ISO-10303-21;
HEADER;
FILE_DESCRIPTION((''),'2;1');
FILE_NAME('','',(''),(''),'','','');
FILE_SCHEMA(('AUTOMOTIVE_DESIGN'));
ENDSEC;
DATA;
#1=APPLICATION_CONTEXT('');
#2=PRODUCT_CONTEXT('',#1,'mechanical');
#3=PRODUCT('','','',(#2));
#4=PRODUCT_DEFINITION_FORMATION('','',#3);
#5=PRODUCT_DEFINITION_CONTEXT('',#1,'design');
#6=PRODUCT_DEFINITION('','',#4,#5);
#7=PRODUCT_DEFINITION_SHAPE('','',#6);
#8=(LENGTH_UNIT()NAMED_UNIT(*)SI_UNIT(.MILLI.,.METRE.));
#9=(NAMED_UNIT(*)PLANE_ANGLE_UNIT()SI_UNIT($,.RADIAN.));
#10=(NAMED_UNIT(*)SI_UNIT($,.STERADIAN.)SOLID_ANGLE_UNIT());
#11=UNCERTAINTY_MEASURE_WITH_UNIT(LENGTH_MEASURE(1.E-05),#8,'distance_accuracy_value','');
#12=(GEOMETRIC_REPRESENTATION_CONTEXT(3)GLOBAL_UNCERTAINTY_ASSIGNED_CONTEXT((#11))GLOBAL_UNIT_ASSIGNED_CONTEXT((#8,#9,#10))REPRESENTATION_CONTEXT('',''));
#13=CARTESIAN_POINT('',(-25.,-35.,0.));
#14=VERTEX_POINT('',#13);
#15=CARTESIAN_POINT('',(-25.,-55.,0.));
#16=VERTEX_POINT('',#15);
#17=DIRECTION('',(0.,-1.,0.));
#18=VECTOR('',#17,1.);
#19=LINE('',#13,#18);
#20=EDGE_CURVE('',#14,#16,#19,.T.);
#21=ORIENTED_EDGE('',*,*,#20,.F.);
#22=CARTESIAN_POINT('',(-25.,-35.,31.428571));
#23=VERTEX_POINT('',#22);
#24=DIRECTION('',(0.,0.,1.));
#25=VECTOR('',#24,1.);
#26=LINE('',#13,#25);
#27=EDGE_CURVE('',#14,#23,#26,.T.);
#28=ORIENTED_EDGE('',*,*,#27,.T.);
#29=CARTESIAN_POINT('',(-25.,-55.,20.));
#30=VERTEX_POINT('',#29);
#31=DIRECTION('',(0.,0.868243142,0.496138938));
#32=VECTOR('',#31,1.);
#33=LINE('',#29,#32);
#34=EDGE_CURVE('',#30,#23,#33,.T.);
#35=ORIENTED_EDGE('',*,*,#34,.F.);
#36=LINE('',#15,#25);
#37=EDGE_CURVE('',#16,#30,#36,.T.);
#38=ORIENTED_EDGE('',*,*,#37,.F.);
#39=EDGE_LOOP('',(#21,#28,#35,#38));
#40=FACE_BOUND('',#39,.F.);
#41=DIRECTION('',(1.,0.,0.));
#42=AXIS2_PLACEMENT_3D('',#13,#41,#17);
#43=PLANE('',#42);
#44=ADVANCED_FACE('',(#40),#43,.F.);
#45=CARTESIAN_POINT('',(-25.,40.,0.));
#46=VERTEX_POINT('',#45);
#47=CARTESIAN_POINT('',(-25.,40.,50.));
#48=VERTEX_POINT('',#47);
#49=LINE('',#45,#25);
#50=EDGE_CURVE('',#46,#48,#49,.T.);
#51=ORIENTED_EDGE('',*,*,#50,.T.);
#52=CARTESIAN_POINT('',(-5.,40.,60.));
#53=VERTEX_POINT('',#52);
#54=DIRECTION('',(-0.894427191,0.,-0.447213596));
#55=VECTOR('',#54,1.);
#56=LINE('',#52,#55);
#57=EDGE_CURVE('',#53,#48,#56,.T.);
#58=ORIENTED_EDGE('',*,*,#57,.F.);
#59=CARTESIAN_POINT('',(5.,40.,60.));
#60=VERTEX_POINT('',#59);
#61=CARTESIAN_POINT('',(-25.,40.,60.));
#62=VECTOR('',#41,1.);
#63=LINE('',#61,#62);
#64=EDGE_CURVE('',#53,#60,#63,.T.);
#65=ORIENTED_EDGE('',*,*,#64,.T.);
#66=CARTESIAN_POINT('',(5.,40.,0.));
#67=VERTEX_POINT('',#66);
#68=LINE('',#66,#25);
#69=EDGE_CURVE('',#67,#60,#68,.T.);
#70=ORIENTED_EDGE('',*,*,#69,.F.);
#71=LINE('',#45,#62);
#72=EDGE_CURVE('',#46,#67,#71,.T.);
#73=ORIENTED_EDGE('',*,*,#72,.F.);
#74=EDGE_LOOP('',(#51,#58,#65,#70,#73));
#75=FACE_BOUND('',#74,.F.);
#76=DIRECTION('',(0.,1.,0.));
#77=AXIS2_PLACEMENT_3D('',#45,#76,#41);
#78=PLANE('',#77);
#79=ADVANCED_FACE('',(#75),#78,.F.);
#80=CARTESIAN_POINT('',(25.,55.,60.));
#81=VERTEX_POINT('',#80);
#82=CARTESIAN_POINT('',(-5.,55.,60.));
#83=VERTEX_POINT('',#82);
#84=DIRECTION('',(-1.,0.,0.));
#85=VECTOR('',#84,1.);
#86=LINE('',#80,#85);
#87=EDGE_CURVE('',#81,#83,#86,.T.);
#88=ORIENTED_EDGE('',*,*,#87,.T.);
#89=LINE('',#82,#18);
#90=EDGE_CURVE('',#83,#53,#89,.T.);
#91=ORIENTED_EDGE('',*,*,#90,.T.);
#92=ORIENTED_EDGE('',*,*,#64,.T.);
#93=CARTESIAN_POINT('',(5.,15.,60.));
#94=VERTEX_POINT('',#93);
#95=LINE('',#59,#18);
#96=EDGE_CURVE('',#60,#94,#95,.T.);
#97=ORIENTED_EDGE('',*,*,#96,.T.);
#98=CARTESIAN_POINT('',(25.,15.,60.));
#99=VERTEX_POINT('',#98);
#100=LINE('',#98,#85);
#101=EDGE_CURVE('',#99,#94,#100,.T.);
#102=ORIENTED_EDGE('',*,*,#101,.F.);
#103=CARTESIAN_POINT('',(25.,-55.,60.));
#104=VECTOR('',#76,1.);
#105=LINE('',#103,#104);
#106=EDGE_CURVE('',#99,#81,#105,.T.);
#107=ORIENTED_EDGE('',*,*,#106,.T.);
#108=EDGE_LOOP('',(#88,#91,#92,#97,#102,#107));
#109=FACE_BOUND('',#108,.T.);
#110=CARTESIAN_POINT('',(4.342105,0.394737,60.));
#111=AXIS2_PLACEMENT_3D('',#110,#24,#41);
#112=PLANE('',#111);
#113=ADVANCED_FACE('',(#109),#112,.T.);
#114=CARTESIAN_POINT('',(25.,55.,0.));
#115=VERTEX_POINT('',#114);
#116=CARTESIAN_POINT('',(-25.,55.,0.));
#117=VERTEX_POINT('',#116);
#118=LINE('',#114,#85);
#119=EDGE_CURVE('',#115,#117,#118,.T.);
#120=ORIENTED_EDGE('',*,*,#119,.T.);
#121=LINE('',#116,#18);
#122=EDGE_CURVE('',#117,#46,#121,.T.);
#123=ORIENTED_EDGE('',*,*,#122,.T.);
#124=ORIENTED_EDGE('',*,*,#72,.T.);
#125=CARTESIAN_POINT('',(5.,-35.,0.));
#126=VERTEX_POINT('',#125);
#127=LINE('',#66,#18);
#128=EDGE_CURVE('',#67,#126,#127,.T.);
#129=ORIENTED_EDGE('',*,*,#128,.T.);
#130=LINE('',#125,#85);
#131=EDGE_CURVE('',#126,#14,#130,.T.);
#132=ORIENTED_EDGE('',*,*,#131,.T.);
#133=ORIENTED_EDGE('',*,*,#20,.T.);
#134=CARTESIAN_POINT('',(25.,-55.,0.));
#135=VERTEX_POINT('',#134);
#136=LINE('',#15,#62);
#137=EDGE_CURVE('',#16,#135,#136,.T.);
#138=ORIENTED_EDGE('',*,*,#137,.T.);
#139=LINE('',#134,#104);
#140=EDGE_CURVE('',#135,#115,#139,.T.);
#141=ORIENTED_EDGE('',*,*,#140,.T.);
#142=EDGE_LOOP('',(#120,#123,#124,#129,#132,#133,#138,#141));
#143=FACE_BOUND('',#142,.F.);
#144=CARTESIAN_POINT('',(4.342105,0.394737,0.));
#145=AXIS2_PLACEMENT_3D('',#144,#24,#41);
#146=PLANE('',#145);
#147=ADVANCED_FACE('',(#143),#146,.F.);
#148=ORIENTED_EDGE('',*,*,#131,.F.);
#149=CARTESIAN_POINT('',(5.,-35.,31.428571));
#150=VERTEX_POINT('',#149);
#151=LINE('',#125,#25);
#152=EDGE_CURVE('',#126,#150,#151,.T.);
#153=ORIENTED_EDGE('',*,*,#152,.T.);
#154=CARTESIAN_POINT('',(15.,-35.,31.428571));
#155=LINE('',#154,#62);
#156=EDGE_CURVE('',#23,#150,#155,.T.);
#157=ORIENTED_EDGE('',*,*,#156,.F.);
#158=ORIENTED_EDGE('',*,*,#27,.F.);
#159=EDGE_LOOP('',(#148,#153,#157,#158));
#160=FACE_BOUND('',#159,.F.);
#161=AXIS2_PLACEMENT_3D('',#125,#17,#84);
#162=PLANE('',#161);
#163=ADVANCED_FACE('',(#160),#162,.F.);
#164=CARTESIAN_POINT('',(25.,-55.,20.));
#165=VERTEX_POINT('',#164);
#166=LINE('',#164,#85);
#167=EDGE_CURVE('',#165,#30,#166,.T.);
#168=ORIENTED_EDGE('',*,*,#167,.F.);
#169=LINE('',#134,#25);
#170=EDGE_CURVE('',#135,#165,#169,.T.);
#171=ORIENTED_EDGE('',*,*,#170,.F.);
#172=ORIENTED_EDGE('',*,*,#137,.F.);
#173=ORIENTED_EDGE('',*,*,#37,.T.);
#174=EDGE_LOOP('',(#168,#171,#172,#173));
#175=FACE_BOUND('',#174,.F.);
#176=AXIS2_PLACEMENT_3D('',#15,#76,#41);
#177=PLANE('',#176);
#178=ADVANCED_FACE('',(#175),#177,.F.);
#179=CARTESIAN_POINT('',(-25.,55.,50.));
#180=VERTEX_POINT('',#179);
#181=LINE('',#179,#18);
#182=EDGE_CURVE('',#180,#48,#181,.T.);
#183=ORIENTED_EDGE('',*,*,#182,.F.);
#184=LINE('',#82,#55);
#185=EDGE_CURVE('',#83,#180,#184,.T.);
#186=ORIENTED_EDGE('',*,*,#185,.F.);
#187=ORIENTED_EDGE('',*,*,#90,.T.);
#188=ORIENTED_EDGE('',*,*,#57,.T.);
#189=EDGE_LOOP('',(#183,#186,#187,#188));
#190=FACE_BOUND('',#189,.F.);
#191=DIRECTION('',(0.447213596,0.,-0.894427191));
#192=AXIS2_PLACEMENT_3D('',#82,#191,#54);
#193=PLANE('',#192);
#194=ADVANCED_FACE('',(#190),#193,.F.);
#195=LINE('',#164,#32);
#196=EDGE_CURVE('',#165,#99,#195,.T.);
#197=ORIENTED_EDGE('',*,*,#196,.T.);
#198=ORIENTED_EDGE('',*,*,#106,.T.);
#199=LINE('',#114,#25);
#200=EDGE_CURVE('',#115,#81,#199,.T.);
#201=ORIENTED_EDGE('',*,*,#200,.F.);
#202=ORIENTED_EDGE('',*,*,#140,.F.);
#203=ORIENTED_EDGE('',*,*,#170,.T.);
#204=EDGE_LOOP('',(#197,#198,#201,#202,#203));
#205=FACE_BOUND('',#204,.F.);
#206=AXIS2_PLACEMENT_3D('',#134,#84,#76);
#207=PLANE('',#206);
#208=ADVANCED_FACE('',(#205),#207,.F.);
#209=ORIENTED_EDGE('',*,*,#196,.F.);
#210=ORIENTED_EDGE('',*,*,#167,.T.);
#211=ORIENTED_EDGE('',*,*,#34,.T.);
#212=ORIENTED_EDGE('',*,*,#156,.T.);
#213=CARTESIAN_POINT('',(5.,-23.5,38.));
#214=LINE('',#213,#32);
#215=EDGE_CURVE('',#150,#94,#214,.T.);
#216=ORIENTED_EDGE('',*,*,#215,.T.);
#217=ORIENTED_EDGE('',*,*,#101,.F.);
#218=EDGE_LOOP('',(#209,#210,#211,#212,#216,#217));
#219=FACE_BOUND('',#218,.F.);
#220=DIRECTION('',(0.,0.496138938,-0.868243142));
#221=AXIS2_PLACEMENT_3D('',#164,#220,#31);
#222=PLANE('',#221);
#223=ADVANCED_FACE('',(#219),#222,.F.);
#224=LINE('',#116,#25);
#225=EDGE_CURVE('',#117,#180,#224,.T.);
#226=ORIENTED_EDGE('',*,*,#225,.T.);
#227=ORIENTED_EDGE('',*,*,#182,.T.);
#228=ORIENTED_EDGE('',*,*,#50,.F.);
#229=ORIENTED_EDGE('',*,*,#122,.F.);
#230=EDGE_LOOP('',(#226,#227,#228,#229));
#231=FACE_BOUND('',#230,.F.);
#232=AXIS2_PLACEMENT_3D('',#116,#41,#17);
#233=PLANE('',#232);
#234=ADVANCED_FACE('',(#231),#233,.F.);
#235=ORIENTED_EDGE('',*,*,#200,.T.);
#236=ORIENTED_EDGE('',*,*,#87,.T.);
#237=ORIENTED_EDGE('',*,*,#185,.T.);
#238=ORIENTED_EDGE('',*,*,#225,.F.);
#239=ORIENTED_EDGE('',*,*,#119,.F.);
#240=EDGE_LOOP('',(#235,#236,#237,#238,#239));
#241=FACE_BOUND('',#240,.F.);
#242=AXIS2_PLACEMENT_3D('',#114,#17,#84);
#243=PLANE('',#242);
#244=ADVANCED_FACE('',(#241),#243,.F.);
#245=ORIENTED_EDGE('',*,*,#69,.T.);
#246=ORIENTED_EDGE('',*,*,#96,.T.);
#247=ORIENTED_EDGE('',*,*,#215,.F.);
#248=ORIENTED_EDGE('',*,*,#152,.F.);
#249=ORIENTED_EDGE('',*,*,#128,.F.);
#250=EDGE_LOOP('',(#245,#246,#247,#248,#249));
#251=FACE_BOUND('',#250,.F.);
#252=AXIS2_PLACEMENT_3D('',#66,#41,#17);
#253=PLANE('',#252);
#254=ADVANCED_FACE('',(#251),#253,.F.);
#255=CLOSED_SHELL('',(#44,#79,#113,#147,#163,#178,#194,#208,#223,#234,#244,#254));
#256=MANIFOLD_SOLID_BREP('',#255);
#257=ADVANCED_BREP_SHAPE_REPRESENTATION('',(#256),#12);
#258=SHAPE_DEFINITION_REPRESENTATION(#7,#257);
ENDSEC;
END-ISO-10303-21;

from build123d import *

# Parameters (mm, degrees)
F1_DEPTH = 60
F3_DEPTH = 15
F5_DEPTH = 50


with BuildPart() as f1:
    # F0 (on Top) → F1 (new body)
    with BuildSketch(Plane.XY):
        Polygon((25, -55), (25, 55), (-25, 55), (-25, 40), (5, 40), (5, -35), (-25, -35), (-25, -55), align=None)
    extrude(amount=F1_DEPTH)

    # F2 (on face) → F3 (cut)
    with BuildSketch(Plane(origin=(0, 55, 0), x_dir=(-1, 0, 0), z_dir=(0, 1, 0))):
        Polygon((25, 60), (5, 60), (25, 50), align=None)
    extrude(amount=-F3_DEPTH, mode=Mode.SUBTRACT)

    # F4 (on face) → F5 (cut)
    with BuildSketch(Plane.YZ.offset(25)):
        Polygon((-55, 20), (15, 60), (-55, 60), align=None)
    extrude(amount=-F5_DEPTH, mode=Mode.SUBTRACT)


solid = f1.part
